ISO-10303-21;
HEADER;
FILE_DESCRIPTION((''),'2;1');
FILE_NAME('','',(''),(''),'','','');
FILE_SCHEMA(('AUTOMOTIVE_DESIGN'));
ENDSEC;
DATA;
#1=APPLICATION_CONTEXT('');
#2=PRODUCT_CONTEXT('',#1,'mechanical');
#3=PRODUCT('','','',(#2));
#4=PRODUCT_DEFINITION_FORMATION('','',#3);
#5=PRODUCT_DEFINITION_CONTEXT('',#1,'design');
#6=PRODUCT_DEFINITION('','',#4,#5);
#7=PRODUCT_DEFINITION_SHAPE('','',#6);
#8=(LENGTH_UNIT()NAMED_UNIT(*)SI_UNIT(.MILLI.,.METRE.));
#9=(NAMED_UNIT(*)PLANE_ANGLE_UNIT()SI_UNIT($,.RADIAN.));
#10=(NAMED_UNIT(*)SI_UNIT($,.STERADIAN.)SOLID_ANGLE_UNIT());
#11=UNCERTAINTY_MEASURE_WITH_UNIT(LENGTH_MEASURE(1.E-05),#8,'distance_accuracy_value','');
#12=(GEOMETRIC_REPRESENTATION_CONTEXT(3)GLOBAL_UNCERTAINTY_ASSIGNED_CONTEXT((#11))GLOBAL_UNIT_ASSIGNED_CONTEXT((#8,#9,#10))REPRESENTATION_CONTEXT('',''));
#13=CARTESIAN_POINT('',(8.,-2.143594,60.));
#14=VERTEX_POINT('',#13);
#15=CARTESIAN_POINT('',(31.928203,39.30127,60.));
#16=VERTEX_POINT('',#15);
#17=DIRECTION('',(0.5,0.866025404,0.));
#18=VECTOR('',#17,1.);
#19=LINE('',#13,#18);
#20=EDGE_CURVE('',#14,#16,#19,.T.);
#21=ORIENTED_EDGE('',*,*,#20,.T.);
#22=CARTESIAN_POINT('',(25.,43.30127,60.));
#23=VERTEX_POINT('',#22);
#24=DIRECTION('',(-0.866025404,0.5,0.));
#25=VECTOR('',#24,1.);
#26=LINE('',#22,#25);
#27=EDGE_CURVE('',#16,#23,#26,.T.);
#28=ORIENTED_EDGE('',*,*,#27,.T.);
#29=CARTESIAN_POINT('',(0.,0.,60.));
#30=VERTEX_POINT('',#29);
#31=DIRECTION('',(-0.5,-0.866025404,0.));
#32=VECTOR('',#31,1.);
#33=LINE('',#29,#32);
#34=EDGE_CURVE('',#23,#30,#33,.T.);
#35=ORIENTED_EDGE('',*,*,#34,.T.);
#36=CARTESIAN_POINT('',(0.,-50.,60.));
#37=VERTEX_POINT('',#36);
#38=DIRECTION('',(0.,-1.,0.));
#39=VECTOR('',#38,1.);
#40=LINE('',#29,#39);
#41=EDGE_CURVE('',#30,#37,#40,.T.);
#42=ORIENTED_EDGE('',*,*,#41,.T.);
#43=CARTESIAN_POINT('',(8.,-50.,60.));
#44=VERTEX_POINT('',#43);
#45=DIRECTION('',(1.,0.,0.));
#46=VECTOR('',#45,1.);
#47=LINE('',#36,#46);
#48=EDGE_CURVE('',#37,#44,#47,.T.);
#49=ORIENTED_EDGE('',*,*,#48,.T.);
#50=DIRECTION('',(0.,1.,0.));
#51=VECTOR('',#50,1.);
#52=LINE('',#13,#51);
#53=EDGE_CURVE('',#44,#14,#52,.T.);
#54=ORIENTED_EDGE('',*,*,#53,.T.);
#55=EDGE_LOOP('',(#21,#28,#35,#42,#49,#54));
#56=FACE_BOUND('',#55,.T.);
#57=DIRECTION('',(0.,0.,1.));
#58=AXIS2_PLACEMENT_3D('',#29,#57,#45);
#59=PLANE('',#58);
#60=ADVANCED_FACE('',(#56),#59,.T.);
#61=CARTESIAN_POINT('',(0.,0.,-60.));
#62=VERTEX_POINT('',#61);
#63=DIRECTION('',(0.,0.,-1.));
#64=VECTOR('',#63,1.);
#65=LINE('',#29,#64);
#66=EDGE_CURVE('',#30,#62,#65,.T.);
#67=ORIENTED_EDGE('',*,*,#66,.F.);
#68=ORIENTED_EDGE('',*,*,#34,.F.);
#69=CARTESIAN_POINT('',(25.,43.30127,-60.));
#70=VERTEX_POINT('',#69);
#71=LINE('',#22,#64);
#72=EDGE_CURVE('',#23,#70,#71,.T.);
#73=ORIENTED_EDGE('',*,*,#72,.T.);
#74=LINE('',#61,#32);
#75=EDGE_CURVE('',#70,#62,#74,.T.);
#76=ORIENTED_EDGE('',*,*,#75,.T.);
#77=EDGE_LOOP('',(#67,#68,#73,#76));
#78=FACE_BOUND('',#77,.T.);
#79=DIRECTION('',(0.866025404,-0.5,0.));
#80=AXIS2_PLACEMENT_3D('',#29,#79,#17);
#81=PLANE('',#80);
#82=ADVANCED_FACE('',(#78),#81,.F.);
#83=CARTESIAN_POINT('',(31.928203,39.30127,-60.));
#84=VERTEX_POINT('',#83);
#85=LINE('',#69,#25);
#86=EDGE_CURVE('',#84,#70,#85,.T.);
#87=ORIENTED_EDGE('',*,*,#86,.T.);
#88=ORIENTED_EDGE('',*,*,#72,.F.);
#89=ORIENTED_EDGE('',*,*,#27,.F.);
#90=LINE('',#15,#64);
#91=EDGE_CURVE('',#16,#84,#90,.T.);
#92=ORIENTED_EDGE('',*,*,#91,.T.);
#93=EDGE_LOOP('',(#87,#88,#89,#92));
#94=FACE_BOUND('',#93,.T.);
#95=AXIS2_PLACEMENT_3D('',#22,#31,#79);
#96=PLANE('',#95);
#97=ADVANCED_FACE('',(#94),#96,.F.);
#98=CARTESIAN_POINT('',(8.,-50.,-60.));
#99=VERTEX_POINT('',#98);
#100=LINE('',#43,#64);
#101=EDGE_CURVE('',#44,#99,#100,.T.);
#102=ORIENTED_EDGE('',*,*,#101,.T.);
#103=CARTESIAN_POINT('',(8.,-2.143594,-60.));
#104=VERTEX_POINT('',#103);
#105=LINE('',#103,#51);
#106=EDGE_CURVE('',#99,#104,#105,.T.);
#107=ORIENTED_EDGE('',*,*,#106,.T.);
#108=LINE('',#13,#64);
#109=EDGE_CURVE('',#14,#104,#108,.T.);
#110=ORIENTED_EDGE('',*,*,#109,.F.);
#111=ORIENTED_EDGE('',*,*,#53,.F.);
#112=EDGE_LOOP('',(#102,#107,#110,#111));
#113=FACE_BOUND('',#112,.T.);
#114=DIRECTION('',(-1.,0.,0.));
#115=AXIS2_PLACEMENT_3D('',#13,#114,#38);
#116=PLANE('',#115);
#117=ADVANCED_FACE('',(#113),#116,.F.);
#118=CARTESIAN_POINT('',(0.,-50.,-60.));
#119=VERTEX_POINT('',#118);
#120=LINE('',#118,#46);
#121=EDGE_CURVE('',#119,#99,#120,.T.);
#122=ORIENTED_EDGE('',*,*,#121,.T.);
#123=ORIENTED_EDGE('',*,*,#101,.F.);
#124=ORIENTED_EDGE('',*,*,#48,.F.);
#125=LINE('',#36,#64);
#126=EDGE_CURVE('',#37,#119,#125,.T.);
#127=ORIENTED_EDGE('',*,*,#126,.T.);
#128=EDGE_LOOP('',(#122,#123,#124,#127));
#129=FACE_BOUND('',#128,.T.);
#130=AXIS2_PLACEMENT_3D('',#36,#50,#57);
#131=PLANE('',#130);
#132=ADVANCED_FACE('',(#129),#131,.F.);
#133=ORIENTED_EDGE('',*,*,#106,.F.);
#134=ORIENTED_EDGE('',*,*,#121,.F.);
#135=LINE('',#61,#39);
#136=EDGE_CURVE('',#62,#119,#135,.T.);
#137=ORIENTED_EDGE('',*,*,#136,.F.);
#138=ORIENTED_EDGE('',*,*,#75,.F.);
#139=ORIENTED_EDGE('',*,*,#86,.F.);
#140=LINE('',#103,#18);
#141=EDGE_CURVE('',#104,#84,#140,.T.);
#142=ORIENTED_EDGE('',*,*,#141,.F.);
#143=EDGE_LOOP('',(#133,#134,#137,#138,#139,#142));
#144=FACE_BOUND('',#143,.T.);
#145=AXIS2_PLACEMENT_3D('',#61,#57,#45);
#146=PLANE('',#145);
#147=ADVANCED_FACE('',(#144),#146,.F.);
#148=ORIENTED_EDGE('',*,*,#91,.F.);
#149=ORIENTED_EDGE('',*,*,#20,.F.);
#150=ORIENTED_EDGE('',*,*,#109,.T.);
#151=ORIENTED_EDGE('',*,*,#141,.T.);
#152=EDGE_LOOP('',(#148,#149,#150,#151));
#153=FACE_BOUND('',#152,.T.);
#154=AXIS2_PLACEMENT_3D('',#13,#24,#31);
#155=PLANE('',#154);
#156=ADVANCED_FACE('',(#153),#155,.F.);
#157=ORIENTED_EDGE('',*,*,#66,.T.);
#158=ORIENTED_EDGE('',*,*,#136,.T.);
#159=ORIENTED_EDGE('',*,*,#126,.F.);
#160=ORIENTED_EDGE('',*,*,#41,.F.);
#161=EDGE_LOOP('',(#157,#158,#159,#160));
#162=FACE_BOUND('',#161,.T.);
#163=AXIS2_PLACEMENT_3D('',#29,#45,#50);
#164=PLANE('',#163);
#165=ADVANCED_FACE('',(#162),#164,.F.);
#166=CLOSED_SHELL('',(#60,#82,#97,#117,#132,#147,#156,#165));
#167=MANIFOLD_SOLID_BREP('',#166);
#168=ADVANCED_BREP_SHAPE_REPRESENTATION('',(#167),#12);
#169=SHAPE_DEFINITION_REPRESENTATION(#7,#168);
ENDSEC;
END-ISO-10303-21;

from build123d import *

# Parameters (mm, degrees)
BOSS_EXTRUDE1_DEPTH = 60


with BuildPart() as part:
    # Sketch1 → Boss-Extrude1 (new, symmetric)
    with BuildSketch(Plane.XY):
        Polygon((0, 0), (25, 43.301270189), (31.92820323, 39.301270189), (8, -2.143593539), (8, -50), (0, -50), align=None)
    extrude(amount=BOSS_EXTRUDE1_DEPTH, both=True)


solid = part.part
